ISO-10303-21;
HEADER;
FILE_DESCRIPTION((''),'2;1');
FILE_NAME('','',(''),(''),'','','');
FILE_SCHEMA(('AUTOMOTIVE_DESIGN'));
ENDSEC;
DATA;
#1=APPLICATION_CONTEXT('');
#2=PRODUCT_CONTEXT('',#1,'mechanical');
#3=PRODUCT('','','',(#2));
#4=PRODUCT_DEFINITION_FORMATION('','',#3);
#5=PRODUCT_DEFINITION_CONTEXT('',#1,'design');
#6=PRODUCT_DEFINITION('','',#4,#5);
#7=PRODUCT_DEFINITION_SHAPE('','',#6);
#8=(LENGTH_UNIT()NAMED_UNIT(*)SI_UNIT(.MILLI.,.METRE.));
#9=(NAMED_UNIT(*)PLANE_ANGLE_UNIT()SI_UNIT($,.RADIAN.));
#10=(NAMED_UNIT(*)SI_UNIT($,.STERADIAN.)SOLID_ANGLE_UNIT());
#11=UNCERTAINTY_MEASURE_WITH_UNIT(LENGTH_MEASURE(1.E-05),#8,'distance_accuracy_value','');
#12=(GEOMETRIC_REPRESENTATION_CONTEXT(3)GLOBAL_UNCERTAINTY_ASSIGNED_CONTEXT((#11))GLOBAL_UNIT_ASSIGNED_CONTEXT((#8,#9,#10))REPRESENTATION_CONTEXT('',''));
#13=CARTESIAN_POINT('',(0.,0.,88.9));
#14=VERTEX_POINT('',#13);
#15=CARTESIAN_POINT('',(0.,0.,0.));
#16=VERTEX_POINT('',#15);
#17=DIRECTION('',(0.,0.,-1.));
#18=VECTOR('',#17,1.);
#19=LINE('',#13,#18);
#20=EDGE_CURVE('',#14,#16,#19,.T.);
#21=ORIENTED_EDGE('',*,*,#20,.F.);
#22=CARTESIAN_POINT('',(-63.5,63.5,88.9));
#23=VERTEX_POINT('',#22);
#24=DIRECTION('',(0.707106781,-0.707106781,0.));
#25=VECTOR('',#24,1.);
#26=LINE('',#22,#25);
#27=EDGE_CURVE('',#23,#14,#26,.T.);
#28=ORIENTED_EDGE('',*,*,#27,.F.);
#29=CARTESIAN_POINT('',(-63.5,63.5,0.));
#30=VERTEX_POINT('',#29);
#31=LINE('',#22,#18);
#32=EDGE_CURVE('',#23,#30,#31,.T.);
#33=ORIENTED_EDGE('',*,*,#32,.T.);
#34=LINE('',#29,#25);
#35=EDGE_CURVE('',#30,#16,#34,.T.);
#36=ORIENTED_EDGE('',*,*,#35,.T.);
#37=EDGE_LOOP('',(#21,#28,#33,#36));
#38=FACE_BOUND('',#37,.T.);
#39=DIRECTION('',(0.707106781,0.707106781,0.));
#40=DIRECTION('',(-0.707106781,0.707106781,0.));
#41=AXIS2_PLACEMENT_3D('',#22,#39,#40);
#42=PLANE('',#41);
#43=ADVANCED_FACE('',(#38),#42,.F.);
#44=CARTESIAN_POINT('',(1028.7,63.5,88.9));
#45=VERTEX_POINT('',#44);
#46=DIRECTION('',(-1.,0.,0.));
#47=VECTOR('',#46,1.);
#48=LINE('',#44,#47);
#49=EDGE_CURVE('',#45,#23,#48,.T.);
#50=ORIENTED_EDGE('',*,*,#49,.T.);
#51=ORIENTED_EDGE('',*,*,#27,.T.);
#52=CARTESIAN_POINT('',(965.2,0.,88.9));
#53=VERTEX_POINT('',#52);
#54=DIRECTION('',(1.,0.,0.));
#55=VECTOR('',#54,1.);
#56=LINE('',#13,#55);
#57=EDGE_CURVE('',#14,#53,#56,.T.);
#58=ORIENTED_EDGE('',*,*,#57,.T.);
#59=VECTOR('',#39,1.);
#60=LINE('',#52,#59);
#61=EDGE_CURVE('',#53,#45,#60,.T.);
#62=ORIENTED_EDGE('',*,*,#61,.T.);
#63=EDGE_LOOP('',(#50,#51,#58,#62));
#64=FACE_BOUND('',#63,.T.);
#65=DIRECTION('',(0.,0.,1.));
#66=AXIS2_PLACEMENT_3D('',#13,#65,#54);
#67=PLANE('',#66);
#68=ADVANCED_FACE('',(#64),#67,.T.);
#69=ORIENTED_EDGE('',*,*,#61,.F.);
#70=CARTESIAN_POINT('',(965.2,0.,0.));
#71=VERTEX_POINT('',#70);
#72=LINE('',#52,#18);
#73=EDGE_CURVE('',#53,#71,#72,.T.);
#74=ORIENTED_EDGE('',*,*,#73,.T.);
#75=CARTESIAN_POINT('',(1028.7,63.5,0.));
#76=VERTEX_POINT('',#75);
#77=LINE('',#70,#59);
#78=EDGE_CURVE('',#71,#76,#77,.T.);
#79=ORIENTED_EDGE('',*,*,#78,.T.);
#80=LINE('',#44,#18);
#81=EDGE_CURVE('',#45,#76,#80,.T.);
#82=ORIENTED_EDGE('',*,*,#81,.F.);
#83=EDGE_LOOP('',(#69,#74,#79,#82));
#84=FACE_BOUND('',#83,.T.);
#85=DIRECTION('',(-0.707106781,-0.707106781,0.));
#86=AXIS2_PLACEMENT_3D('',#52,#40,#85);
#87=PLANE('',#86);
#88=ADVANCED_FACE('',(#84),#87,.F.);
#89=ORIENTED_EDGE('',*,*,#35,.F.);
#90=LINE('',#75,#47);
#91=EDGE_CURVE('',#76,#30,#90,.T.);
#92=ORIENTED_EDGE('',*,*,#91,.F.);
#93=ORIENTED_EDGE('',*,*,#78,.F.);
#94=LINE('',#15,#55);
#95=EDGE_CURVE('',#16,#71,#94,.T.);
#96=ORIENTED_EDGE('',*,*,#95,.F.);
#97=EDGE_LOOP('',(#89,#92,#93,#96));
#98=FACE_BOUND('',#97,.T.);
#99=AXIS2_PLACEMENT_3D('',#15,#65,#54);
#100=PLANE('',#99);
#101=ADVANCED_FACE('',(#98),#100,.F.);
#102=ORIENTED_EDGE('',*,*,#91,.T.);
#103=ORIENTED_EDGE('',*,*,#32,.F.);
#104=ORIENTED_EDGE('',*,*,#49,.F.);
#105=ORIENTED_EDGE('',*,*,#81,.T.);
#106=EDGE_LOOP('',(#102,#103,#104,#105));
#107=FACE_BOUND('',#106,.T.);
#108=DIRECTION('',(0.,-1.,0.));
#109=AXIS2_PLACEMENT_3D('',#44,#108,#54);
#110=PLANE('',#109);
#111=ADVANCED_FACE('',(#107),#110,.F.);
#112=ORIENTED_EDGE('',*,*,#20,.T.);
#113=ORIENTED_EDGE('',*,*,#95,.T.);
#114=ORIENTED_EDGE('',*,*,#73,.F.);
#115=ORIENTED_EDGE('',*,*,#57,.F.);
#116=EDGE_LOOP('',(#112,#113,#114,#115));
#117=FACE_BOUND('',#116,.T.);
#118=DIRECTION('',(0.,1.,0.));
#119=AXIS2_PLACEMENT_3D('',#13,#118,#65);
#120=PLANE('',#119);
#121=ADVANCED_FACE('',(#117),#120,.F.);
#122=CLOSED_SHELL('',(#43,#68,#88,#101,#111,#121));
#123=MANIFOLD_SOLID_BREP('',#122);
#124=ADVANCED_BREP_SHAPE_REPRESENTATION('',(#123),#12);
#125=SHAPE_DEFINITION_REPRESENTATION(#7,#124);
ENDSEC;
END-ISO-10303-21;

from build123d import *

# Parameters (mm, degrees)
BOSS_EXTRUDE1_DEPTH = 88.9


with BuildPart() as part:
    # Sketch2 → Boss-Extrude1 (new body)
    with BuildSketch(Plane.XY):
        Polygon((0, 0), (965.2, 0), (1028.7, 63.5), (-63.5, 63.5), align=None)
    extrude(amount=BOSS_EXTRUDE1_DEPTH)


solid = part.part
